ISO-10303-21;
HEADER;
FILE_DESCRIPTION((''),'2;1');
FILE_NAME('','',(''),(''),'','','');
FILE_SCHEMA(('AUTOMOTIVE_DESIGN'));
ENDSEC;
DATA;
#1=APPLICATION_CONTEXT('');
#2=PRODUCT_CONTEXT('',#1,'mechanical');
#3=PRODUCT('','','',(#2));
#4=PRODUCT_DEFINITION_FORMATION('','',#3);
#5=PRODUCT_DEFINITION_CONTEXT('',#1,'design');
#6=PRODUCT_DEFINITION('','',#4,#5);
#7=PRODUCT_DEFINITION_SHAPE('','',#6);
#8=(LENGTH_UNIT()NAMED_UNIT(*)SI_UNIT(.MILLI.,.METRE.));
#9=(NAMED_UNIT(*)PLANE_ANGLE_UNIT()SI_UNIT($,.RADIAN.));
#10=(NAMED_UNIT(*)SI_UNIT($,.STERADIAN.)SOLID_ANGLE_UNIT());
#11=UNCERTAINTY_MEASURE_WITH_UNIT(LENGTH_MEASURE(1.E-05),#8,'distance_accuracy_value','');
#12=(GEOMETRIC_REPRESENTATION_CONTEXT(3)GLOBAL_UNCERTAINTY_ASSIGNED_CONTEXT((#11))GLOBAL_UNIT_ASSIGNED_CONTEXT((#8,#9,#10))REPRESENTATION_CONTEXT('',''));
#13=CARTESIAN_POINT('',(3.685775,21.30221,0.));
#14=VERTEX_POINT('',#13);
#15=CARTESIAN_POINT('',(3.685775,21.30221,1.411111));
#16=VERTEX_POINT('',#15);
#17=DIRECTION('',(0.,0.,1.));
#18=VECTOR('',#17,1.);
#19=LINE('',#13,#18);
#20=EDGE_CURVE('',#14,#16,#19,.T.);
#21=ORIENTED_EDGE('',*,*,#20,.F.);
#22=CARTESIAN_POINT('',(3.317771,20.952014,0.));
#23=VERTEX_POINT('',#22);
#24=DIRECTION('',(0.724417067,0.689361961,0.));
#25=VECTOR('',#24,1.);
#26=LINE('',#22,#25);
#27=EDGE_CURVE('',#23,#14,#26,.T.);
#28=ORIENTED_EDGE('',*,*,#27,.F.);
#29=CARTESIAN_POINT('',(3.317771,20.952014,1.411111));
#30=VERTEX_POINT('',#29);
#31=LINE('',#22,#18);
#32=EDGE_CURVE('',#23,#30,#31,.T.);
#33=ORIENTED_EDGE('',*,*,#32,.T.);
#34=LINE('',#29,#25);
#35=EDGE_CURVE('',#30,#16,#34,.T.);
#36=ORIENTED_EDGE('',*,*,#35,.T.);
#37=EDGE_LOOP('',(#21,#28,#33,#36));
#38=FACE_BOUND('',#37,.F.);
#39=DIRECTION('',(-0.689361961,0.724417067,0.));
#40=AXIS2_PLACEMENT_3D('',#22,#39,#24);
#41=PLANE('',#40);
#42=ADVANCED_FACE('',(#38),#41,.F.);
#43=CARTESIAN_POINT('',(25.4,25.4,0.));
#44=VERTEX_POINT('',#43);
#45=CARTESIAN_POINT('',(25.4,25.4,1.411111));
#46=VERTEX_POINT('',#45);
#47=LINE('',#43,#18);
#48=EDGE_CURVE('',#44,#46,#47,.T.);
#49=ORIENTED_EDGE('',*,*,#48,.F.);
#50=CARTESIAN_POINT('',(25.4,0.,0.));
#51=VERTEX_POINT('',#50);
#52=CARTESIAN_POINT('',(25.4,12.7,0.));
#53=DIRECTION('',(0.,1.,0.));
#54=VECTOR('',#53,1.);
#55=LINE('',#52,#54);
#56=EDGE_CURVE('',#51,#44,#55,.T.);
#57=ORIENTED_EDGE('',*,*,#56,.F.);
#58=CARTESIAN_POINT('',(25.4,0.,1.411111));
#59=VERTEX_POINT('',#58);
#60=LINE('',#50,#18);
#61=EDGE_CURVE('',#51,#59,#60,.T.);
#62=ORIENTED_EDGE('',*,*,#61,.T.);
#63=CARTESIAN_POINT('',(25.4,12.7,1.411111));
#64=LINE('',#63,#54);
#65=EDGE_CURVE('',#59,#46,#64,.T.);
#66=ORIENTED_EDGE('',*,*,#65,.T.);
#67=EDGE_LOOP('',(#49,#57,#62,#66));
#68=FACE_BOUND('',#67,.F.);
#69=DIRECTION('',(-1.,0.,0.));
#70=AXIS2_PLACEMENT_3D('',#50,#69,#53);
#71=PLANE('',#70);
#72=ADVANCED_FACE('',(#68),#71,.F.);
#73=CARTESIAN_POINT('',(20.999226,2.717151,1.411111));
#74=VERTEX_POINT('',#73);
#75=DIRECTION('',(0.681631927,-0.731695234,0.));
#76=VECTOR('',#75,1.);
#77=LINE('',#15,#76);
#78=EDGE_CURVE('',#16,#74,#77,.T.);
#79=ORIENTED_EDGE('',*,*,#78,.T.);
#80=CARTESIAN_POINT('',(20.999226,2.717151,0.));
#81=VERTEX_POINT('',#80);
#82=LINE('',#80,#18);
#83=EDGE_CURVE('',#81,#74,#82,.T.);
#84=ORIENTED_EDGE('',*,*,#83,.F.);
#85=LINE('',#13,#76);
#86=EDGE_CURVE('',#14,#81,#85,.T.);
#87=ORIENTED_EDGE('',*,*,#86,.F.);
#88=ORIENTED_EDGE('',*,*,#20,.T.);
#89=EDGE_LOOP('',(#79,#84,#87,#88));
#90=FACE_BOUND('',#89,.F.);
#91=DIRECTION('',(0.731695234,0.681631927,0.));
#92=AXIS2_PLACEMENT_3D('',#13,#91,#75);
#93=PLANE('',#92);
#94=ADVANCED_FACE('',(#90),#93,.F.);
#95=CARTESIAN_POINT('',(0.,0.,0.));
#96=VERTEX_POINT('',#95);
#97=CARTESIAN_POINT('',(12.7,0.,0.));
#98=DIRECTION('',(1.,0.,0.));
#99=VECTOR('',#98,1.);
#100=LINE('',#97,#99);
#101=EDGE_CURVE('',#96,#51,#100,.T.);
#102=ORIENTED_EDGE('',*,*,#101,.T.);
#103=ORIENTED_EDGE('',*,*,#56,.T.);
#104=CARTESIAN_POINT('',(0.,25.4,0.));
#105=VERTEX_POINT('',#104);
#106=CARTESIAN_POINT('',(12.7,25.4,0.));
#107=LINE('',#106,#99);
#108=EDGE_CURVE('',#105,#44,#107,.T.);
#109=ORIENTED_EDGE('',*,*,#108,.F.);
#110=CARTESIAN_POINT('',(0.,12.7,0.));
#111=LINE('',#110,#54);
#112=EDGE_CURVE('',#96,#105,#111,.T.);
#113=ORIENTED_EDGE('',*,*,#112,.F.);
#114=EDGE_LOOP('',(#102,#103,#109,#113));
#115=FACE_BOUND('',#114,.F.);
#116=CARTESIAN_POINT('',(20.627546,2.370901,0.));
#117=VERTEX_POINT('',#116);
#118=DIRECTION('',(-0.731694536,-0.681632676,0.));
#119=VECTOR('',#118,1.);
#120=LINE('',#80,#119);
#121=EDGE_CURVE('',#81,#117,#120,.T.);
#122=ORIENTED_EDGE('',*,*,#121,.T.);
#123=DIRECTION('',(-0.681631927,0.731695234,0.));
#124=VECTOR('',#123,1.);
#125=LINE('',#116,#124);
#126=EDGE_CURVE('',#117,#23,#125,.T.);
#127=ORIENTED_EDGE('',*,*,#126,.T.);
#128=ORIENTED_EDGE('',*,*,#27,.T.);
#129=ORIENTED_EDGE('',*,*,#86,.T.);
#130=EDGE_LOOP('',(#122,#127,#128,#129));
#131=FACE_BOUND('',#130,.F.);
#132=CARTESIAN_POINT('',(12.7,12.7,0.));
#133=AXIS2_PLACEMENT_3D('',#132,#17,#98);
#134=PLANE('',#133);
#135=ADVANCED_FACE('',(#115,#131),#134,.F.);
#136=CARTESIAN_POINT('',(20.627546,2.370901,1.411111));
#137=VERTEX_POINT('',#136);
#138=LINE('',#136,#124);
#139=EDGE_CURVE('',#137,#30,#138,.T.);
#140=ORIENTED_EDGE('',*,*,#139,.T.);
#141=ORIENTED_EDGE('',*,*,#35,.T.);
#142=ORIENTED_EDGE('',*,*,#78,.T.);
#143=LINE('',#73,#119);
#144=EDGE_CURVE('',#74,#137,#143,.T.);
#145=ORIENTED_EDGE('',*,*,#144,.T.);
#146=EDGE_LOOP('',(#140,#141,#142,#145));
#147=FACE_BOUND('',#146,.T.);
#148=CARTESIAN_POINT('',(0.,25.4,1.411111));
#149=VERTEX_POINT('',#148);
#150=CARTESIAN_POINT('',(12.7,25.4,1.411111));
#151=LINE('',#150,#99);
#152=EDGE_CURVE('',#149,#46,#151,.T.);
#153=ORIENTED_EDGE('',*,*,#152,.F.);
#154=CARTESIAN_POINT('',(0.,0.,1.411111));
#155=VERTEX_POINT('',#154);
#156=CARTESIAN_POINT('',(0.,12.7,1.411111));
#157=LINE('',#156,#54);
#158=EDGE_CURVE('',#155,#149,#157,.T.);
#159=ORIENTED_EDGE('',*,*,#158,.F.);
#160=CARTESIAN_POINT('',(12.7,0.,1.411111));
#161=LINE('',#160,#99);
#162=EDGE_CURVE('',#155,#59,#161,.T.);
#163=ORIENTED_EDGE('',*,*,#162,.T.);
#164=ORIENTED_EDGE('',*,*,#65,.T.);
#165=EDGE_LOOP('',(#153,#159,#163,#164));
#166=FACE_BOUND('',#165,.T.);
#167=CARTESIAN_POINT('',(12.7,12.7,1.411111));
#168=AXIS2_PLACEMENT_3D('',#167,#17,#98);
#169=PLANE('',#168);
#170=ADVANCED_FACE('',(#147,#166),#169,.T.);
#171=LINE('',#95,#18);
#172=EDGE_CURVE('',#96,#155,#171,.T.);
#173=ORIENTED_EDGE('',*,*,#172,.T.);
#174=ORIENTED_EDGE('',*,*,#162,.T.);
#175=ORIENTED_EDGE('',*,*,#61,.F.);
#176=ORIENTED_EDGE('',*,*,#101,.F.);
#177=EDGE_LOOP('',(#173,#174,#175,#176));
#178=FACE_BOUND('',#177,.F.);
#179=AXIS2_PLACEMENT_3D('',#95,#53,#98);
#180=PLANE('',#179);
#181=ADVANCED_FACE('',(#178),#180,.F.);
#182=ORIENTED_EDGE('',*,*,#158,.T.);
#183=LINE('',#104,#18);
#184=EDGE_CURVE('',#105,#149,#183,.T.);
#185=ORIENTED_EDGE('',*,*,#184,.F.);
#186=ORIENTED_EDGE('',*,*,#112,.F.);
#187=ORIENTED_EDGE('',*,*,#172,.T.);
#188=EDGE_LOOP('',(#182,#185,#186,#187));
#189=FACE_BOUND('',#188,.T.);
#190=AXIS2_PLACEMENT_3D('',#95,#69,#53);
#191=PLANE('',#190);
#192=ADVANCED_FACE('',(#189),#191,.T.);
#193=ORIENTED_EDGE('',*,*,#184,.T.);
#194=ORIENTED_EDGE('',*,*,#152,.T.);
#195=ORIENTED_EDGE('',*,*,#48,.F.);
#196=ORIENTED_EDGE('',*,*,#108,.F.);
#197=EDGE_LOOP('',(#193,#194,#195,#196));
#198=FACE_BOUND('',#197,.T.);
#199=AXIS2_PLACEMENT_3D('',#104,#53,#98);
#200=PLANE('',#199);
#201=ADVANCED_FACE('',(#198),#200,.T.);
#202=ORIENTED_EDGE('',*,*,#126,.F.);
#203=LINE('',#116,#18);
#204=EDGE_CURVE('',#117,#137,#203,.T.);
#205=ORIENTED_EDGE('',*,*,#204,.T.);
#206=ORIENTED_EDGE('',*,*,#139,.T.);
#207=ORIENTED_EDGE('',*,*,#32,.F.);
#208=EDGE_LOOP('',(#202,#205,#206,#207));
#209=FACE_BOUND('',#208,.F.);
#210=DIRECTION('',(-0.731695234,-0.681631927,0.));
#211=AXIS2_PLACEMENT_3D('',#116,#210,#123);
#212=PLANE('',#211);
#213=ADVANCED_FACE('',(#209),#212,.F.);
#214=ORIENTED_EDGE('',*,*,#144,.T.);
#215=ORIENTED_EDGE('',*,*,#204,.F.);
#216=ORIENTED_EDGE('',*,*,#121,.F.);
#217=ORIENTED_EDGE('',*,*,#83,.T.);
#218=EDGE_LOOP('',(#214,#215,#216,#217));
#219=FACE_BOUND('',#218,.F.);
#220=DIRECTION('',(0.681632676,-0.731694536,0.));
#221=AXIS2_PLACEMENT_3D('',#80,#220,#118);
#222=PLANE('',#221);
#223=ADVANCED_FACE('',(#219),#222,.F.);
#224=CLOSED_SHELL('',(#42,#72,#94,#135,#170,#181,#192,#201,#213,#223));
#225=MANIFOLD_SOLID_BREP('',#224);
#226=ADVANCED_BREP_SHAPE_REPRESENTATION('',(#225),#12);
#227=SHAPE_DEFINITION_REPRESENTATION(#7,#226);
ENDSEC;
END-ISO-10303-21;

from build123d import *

# Parameters (mm, degrees)
F0_W     = 25.4
F0_H     = 25.4
F1_DEPTH = 1.411111


with BuildPart() as f1:
    # F0 (on Top) → F1 (new body)
    with BuildSketch(Plane.XY):
        with Locations((12.7, 12.7)):
            Rectangle(F0_W, F0_H)
        Polygon((20.627546, 2.370901), (3.317771, 20.952014), (3.685775, 21.30221), (20.999226, 2.717151), align=None, mode=Mode.SUBTRACT)
    extrude(amount=F1_DEPTH)


solid = f1.part
